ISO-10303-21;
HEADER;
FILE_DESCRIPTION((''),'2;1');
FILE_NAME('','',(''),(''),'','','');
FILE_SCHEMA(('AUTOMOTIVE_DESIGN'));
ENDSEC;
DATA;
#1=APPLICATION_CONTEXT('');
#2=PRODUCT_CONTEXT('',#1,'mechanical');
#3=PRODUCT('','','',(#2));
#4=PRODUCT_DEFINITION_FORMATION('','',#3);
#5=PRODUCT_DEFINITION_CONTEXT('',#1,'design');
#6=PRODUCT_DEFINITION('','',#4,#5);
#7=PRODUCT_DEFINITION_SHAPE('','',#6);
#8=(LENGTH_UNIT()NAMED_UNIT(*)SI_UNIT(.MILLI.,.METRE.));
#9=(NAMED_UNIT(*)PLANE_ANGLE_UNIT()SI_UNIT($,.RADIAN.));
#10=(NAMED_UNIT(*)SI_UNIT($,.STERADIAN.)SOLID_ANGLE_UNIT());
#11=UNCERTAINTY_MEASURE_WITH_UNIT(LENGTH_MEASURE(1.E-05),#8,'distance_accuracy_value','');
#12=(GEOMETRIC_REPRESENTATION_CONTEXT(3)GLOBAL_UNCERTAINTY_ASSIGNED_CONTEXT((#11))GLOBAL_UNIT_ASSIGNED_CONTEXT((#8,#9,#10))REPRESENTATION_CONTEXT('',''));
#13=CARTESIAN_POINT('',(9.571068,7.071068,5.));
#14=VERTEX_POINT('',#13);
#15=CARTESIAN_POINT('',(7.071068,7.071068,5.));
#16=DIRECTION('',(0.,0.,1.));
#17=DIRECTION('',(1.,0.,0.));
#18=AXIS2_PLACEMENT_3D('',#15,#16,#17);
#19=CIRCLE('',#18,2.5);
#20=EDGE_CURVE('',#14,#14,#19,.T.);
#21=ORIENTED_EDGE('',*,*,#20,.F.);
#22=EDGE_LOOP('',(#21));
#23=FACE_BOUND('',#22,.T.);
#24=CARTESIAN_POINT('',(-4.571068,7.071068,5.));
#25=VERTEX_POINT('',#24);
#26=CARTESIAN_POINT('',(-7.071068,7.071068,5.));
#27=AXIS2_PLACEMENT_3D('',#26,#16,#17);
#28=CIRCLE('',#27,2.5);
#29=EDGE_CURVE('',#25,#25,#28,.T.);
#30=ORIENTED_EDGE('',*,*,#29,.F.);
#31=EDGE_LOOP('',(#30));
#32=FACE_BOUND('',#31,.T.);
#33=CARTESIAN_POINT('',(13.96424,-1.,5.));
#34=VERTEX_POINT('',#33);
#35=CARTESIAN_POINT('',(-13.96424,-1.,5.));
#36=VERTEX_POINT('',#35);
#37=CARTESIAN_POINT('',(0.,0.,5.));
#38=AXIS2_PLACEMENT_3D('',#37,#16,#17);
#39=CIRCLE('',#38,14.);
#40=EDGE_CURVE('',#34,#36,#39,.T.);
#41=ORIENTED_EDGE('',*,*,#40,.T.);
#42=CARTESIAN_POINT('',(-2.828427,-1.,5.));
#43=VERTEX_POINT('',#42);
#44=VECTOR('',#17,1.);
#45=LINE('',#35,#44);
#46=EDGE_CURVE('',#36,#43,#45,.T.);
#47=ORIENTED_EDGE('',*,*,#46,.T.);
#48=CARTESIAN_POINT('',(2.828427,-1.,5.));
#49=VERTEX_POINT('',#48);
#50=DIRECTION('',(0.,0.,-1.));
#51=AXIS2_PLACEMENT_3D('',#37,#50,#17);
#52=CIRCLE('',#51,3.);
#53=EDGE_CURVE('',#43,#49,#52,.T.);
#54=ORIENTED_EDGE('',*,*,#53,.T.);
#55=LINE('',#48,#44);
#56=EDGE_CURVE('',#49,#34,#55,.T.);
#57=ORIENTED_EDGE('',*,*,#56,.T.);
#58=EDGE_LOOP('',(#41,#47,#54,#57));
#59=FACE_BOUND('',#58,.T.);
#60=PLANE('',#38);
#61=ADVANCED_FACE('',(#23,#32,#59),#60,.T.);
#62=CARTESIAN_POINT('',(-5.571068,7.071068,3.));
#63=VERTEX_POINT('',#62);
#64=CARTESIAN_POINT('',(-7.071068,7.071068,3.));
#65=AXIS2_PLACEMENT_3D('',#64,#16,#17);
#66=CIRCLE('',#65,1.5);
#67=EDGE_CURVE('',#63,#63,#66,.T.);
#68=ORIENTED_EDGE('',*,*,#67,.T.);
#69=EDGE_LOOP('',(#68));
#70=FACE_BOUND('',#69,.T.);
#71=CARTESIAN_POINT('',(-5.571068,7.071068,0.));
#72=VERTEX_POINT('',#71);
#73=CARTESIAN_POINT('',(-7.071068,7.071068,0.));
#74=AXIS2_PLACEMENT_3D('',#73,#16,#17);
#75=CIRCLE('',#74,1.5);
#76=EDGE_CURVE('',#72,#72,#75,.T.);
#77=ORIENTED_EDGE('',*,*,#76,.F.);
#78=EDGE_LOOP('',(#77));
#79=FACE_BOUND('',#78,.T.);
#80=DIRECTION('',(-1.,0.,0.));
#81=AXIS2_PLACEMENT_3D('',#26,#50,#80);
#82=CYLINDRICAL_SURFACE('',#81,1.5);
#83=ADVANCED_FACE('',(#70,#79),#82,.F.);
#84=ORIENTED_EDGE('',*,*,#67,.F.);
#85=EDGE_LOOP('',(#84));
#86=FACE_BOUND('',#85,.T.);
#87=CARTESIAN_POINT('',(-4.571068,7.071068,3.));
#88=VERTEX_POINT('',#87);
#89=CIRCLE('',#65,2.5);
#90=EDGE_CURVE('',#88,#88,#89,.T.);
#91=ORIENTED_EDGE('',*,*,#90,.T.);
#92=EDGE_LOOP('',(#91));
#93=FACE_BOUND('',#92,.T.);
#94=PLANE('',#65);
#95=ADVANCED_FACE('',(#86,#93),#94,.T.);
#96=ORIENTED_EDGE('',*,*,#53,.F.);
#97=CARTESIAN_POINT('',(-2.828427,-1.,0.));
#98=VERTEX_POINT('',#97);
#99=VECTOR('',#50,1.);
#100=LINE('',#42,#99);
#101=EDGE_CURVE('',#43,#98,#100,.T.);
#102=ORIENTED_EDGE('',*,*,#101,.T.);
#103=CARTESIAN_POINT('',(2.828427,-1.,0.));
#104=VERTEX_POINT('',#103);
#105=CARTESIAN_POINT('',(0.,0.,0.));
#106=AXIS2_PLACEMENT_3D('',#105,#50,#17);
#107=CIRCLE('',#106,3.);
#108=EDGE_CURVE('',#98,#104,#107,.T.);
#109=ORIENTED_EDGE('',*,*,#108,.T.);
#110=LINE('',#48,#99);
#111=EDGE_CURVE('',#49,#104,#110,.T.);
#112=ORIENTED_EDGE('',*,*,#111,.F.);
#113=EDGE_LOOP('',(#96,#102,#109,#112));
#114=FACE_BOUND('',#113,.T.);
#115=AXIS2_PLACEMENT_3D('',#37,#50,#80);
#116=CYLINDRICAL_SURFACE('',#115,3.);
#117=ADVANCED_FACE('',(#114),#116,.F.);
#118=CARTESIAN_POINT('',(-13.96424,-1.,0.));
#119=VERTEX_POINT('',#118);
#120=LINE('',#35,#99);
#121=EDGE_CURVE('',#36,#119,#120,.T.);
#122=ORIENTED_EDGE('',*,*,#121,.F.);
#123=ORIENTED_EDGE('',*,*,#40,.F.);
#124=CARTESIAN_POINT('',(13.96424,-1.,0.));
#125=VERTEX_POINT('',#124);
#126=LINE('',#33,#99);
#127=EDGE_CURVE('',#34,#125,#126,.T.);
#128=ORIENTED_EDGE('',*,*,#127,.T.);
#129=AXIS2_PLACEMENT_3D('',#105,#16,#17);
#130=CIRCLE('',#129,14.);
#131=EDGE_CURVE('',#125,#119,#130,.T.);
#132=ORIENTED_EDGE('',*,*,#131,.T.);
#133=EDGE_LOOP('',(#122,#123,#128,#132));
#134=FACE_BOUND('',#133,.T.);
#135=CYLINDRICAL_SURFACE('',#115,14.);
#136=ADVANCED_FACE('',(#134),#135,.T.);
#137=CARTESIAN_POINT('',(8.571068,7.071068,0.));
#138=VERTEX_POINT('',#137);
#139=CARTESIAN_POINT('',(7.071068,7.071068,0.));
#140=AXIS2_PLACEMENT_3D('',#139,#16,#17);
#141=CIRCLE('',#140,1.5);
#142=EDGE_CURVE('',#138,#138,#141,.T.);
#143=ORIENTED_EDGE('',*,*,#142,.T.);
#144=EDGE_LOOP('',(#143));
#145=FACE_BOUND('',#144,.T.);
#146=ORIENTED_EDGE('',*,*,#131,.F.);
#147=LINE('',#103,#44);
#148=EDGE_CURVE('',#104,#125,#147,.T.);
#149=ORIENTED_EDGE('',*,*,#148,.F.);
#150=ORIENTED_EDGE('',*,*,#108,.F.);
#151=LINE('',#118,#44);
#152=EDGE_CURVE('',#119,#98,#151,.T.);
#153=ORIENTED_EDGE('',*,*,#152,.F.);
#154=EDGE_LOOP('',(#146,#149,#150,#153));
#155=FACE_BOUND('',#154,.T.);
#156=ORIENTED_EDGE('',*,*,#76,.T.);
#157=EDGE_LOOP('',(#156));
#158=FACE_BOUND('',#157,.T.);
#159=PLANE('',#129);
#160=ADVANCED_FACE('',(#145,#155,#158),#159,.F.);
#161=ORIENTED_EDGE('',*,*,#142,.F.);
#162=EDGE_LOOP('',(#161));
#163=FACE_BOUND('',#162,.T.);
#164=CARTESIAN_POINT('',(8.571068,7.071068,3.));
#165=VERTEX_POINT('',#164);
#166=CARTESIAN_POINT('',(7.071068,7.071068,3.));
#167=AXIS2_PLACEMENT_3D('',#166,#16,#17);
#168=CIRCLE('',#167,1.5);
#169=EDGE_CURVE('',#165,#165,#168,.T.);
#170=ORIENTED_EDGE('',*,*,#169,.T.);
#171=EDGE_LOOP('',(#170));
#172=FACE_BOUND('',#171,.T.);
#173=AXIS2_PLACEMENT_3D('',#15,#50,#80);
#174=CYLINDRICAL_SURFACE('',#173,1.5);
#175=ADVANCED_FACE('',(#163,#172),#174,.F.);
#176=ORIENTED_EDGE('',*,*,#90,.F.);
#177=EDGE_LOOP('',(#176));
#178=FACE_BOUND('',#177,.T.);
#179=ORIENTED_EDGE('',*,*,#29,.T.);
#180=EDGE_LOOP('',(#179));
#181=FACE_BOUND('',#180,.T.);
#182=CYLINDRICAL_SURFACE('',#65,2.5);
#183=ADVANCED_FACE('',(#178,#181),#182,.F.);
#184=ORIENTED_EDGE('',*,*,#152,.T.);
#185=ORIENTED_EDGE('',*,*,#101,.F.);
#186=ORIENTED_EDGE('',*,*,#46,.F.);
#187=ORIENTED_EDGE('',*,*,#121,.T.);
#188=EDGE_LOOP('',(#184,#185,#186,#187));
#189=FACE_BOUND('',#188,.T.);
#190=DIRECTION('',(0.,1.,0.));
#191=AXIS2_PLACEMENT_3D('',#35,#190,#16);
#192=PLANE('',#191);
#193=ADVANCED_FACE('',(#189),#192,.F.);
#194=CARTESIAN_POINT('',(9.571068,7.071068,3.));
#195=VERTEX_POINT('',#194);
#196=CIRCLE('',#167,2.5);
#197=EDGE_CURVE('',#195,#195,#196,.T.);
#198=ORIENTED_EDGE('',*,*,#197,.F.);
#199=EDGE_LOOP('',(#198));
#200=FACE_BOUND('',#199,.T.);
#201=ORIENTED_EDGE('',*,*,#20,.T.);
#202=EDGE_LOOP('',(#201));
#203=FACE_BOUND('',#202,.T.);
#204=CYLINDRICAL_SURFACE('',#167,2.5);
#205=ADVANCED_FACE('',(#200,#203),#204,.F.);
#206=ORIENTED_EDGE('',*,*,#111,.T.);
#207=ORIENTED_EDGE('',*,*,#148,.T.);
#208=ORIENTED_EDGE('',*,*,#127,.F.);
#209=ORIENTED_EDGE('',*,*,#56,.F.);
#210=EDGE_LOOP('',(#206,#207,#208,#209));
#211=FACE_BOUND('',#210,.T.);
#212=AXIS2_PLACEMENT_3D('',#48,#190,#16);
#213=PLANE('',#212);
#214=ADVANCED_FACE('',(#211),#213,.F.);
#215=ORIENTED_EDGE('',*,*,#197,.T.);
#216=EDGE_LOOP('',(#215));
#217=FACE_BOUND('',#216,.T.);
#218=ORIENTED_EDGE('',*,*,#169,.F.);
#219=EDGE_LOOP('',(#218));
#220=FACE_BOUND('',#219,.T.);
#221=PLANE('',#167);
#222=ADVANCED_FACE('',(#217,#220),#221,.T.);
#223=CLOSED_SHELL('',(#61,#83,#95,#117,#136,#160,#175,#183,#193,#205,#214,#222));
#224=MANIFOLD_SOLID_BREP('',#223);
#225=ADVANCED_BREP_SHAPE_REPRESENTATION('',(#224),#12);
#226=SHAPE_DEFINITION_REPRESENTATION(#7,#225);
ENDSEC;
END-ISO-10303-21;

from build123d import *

# Parameters (mm, degrees)
ESQUISSE1_R      = 1.5
EXTRUSION1_DEPTH = 5
ESQUISSE2_R      = 2.5
EXTRUSION2_DEPTH = 2


with BuildPart() as part:
    # Esquisse1 → Extrusion1 (new body)
    with BuildSketch(Plane.XY):
        with BuildLine():
            Line((-13.964240044, -1), (-2.828427125, -1))
            ThreePointArc((-2.828427125, -1), (0, 3), (2.828427125, -1))
            Line((2.828427125, -1), (13.964240044, -1))
            ThreePointArc((13.964240044, -1), (0, 14), (-13.964240044, -1))
        make_face()
        with Locations((-7.071067812, 7.071067812)):
            Circle(ESQUISSE1_R, mode=Mode.SUBTRACT)
        with Locations((7.071067812, 7.071067812)):
            Circle(ESQUISSE1_R, mode=Mode.SUBTRACT)
    extrude(amount=EXTRUSION1_DEPTH)

    # Esquisse2 → Extrusion2 (cut)
    with BuildSketch(Plane.XY.offset(5)):
        with Locations((-7.071067812, 7.071067812)):
            Circle(ESQUISSE2_R)
        with Locations((7.071067812, 7.071067812)):
            Circle(ESQUISSE2_R)
    extrude(amount=-EXTRUSION2_DEPTH, mode=Mode.SUBTRACT)


solid = part.part
